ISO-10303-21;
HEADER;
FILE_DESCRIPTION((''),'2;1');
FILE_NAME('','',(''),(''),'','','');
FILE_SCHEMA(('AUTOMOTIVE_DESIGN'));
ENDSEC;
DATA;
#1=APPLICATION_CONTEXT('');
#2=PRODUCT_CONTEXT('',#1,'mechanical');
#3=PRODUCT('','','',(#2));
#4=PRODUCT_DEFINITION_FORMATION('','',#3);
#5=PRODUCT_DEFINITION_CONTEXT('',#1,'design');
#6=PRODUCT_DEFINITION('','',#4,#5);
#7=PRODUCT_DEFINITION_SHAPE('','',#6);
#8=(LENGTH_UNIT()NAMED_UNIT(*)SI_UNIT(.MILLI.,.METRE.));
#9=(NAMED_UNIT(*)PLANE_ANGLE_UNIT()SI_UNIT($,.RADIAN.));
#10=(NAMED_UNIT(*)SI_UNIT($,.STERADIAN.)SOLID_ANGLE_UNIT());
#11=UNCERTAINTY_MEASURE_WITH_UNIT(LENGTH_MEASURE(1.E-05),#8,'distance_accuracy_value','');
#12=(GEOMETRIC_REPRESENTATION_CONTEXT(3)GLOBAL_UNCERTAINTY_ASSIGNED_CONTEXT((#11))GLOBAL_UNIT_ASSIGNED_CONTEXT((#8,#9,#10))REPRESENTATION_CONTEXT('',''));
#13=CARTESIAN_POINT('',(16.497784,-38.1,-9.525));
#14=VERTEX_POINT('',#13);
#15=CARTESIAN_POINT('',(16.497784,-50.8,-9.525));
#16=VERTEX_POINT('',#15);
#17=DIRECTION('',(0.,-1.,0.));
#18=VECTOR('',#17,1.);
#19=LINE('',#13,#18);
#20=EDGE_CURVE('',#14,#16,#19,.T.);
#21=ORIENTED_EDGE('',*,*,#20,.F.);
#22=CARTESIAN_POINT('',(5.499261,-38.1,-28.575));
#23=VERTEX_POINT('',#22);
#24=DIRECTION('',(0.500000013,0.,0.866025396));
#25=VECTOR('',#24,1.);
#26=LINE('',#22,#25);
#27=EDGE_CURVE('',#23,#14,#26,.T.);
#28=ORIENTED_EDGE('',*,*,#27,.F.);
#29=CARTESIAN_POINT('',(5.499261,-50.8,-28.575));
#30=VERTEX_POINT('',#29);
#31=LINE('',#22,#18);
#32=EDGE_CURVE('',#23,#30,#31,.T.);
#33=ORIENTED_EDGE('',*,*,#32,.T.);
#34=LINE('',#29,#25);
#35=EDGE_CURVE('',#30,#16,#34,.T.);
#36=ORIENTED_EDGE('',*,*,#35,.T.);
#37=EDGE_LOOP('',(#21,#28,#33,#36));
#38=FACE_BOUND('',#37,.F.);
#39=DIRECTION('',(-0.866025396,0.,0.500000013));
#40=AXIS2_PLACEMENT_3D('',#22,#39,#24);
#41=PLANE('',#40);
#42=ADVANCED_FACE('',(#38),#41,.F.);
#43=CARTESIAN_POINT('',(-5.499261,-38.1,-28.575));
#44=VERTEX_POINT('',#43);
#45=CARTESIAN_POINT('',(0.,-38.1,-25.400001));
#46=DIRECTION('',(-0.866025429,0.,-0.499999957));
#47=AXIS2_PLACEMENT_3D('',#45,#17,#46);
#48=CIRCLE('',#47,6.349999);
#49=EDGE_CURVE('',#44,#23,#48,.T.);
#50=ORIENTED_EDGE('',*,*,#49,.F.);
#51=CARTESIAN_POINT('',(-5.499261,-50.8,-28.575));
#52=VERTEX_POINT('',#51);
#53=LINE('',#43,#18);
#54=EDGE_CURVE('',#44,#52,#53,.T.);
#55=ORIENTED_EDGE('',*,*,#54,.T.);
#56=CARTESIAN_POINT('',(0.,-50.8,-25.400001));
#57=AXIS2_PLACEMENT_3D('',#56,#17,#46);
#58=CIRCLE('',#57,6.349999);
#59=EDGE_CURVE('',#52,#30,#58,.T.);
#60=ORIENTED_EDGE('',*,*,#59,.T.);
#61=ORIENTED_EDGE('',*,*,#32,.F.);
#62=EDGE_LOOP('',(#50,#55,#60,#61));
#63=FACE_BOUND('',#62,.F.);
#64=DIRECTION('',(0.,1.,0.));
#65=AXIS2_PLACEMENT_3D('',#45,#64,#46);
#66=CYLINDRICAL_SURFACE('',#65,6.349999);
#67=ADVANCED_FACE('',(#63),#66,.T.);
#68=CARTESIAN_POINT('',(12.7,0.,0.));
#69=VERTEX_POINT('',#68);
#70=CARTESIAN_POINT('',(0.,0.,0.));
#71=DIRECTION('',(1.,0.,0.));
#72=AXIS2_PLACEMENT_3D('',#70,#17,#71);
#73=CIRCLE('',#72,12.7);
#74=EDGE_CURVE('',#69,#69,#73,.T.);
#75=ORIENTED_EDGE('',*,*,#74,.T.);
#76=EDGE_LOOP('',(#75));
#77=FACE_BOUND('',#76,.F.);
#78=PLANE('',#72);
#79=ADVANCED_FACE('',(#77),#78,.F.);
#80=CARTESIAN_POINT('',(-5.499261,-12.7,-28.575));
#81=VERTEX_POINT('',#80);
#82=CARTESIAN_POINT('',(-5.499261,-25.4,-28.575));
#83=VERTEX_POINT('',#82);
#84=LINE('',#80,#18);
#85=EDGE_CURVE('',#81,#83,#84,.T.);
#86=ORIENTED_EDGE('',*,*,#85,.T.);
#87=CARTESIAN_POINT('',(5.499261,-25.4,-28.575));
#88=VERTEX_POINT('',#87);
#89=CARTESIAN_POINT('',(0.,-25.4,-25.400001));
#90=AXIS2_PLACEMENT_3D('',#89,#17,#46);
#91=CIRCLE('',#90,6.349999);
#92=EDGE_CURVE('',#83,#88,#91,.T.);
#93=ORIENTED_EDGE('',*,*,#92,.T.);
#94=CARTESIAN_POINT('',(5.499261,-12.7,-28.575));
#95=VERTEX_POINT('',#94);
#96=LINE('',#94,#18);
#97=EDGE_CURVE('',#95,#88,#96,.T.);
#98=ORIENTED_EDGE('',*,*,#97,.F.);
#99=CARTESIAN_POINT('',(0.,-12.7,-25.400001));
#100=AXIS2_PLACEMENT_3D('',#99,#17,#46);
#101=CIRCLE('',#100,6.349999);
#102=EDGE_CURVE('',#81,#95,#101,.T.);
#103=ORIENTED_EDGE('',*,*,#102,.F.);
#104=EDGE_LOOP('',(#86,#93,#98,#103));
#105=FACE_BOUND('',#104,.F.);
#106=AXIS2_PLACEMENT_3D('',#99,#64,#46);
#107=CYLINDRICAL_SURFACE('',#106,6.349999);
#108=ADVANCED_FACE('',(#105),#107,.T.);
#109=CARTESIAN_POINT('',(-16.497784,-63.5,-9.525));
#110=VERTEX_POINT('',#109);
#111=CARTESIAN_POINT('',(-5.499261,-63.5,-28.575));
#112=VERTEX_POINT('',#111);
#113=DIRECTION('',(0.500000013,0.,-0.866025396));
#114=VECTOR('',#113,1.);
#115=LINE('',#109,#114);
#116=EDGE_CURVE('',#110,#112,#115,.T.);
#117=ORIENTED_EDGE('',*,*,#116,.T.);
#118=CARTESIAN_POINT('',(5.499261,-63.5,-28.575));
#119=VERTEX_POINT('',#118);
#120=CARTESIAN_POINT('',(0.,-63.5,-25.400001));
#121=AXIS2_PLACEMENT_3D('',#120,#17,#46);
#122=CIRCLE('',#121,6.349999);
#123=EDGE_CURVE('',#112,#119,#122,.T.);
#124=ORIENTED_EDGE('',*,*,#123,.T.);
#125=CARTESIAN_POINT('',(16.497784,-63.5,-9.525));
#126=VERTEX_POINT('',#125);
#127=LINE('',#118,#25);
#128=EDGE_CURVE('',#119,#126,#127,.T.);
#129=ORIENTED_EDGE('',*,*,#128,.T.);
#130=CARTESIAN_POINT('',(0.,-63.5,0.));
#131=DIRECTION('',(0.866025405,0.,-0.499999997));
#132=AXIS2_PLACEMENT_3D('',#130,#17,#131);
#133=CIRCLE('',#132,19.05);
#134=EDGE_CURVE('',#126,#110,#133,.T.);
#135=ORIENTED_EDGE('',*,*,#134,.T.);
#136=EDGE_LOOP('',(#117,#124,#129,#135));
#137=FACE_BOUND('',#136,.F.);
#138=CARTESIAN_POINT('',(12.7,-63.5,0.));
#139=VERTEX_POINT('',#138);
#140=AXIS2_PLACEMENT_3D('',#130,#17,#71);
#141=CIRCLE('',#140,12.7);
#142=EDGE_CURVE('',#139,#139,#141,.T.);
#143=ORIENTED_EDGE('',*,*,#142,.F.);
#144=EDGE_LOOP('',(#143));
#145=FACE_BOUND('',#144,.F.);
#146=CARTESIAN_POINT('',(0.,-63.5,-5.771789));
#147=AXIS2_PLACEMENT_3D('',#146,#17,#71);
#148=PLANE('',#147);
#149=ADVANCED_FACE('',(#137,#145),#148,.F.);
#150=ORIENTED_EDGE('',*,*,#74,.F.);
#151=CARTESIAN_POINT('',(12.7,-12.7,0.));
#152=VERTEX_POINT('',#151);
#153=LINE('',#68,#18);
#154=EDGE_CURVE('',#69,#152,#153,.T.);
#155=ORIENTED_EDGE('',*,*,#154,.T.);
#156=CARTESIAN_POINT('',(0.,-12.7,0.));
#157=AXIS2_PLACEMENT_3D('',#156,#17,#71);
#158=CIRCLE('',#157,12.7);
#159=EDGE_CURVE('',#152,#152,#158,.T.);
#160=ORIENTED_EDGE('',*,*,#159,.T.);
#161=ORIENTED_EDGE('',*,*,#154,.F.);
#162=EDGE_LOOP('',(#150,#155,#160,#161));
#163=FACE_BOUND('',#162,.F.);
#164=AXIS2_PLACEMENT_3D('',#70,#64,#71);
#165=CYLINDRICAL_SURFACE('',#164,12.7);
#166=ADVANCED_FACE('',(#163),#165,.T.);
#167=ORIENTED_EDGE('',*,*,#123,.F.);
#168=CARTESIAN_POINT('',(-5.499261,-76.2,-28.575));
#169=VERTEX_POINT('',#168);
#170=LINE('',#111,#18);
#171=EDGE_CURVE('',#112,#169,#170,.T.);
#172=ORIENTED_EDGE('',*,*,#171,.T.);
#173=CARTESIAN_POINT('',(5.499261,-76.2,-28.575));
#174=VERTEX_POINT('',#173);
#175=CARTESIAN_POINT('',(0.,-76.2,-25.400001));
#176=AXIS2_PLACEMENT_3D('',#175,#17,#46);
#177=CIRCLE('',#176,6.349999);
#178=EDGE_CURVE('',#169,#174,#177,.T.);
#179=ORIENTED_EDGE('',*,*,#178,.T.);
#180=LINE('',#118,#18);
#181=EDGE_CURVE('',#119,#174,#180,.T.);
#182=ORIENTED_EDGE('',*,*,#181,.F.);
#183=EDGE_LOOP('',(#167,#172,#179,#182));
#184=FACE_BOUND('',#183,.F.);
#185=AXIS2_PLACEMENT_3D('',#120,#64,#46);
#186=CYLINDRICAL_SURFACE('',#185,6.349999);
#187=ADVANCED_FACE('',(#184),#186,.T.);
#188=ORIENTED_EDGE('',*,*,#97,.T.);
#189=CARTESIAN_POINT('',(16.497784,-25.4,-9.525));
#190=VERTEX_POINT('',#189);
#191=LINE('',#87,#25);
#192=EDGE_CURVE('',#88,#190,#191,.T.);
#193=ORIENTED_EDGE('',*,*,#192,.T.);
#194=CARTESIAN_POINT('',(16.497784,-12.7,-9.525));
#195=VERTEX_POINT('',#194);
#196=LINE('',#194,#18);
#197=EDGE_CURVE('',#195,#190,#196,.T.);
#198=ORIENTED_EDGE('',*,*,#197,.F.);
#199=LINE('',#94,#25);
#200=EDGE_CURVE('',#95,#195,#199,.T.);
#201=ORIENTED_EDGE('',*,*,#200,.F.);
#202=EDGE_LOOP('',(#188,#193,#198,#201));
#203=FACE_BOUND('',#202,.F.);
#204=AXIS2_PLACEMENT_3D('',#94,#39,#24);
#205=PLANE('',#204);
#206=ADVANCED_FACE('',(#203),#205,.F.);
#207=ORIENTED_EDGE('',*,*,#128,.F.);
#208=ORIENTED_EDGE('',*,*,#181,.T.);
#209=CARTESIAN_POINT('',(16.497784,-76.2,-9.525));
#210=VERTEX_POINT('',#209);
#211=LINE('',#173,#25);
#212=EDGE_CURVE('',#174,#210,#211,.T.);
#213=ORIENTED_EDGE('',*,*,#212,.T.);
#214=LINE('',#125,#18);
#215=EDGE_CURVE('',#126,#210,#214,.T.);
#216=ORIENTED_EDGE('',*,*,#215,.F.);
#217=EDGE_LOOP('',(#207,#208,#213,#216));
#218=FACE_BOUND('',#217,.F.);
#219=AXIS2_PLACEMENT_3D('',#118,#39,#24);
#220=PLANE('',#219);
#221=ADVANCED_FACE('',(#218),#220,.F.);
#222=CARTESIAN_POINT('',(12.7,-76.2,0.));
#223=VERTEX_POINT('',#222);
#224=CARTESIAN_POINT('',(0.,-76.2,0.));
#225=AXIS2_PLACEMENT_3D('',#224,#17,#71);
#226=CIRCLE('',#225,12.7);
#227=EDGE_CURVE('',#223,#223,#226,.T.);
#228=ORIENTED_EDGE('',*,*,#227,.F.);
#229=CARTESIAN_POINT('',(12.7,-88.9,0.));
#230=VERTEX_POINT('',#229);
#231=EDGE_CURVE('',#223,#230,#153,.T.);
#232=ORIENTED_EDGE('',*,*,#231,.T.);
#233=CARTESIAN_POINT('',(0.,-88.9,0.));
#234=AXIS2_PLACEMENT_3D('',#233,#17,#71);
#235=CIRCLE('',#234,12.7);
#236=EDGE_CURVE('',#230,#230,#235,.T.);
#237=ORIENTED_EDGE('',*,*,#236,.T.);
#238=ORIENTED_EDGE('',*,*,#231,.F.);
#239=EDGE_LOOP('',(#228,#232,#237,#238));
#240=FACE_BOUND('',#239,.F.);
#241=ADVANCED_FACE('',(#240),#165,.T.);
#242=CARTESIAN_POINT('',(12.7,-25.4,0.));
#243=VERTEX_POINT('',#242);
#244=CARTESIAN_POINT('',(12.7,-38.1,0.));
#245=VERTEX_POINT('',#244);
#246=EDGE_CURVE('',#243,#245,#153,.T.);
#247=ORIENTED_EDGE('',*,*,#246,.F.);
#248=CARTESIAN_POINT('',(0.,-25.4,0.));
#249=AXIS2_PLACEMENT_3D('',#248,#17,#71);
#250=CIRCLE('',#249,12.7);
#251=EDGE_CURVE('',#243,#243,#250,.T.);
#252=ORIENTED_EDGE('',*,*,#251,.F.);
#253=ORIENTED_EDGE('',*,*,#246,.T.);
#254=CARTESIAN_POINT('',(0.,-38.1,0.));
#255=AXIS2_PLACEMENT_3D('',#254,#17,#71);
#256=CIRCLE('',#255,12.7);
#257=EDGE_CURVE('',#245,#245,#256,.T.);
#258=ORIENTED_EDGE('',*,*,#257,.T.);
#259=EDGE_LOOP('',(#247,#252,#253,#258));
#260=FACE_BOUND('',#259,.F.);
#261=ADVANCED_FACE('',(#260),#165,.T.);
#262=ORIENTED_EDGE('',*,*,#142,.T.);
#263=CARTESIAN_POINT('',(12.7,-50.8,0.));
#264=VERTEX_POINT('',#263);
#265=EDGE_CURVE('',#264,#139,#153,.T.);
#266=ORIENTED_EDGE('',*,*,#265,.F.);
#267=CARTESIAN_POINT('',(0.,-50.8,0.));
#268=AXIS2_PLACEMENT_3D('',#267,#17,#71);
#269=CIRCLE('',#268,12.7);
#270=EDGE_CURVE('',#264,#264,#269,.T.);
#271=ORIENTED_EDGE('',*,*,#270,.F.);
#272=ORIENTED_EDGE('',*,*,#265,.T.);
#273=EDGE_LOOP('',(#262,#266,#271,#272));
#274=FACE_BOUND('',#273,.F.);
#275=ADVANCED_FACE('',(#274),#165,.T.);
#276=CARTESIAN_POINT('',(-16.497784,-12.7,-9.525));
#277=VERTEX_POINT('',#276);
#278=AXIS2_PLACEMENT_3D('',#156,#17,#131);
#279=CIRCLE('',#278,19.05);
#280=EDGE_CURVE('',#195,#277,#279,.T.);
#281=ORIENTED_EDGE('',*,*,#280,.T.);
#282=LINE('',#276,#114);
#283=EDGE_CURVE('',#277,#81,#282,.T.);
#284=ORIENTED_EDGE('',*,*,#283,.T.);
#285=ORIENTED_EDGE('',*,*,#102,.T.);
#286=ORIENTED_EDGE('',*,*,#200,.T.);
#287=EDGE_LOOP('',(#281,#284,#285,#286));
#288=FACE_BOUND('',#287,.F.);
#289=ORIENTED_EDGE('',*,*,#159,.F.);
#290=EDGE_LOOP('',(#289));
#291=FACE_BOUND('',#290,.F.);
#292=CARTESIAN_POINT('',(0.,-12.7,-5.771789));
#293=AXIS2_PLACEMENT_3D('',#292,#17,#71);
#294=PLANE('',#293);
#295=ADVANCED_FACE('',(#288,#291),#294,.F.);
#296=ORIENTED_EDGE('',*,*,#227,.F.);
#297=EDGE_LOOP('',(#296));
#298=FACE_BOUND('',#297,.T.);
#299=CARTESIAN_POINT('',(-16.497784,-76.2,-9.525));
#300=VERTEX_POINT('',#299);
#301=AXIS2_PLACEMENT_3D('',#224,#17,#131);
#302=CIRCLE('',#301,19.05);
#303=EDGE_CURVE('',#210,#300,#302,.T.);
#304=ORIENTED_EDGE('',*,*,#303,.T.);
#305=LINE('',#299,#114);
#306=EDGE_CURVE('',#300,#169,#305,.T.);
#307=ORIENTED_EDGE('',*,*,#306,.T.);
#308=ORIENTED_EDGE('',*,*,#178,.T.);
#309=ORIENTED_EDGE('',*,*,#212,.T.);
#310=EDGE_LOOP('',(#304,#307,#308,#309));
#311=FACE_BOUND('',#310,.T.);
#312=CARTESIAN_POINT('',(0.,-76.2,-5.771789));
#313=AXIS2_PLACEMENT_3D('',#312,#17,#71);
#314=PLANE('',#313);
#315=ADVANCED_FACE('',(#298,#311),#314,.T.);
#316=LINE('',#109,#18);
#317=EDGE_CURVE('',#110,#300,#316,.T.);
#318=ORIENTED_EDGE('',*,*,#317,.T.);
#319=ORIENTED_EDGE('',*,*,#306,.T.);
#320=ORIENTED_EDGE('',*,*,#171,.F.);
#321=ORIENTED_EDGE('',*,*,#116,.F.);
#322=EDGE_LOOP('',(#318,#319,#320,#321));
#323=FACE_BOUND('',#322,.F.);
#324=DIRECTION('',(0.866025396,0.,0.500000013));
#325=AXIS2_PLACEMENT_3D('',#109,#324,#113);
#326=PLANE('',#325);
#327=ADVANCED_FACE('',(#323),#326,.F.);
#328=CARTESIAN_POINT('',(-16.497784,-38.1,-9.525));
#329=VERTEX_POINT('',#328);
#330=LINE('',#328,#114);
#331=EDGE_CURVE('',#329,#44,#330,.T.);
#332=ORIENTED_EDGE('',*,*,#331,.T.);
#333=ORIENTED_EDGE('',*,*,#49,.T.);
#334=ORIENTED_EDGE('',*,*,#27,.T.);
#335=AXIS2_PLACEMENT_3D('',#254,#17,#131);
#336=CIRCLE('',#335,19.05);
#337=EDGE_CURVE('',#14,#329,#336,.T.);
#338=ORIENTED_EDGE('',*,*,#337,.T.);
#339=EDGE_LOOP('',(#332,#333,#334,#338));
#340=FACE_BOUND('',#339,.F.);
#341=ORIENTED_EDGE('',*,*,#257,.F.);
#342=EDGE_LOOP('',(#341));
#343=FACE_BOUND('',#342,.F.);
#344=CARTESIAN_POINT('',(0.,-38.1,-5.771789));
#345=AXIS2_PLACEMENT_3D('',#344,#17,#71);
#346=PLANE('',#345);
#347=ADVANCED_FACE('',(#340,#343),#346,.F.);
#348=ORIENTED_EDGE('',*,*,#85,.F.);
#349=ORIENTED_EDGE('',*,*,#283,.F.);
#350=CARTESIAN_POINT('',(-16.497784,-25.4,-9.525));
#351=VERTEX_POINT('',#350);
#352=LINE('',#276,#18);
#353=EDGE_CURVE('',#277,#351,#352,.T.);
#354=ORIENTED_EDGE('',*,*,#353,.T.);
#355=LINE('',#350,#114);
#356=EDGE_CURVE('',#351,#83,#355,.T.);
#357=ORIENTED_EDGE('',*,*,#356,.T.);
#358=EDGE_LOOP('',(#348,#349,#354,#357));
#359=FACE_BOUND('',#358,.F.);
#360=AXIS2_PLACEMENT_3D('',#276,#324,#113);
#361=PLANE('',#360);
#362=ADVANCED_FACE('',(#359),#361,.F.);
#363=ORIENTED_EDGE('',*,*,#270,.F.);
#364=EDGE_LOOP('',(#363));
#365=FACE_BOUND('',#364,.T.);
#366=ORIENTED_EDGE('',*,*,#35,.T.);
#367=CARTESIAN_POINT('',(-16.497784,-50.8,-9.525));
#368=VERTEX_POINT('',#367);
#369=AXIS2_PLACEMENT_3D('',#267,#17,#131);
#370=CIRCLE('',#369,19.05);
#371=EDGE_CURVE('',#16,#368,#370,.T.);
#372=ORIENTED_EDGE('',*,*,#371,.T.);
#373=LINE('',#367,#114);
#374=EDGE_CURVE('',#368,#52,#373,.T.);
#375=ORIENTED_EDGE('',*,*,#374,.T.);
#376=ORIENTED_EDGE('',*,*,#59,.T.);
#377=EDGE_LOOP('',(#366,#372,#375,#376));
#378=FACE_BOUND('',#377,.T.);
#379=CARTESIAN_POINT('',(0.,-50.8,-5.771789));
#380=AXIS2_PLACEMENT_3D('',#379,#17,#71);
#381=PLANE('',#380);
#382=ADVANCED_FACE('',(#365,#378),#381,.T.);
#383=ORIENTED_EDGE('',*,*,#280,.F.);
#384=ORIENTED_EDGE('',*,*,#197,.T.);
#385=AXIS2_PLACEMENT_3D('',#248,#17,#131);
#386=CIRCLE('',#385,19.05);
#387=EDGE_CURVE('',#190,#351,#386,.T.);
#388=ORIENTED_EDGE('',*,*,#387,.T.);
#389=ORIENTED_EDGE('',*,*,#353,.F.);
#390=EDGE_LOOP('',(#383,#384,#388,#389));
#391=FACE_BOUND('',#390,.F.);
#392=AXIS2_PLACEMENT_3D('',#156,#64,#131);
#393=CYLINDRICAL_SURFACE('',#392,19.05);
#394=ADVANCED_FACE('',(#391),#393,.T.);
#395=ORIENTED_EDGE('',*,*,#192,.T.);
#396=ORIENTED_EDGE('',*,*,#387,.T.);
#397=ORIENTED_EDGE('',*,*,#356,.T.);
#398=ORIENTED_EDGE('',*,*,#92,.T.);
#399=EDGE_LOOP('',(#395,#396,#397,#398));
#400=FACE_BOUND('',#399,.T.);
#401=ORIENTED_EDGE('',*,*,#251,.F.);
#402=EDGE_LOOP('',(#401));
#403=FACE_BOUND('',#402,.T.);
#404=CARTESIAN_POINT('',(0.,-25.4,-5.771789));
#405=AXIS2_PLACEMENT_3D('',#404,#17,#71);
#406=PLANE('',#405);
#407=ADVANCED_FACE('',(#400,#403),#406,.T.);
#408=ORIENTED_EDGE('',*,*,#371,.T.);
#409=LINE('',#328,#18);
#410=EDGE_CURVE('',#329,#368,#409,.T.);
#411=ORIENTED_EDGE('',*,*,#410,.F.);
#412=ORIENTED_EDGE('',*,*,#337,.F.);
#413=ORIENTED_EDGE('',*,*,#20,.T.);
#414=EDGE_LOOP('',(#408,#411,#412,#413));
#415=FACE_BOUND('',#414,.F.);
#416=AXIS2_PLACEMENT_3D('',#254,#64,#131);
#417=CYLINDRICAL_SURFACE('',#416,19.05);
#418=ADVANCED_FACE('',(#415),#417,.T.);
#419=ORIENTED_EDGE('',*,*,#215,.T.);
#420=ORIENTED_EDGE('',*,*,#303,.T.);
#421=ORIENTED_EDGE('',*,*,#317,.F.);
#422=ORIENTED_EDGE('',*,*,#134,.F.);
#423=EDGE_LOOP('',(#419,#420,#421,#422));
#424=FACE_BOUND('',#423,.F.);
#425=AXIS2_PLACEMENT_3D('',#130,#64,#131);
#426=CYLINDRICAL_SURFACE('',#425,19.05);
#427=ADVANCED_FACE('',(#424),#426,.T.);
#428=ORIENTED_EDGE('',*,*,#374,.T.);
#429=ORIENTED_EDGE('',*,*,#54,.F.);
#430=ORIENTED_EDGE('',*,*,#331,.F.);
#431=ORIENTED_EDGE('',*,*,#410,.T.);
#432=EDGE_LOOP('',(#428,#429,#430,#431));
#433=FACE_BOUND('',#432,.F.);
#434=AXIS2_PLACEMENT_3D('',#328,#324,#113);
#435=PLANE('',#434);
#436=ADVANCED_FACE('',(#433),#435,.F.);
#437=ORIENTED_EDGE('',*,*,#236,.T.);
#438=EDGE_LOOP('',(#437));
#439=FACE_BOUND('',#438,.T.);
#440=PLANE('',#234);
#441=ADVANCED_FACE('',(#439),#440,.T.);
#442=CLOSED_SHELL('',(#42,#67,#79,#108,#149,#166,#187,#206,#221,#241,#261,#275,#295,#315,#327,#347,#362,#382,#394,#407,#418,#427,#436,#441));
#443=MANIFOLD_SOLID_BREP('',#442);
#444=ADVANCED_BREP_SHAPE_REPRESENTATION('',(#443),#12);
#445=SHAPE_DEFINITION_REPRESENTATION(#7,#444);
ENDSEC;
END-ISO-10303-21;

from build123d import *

# Parameters (mm, degrees)
F0_R      = 12.7
F1_DEPTH  = 88.9
F3_R      = 12.7
F4_DEPTH  = 12.7
F6_R      = 12.7
F7_DEPTH  = 12.7
F9_R      = 12.7
F10_DEPTH = 12.7


with BuildPart() as f1:
    # F0 (on Front) → F1 (new body)
    with BuildSketch(Plane.XZ):
        Circle(F0_R)
    extrude(amount=F1_DEPTH)

    # F3 (on offset) → F4 (join)
    with BuildSketch(Plane.XZ.offset(12.7)):
        with BuildLine():
            Line((5.499261, -28.575), (16.497784, -9.525))
            ThreePointArc((16.497784, -9.525), (0, 19.05), (-16.497784, -9.525))
            Line((-16.497784, -9.525), (-5.499261, -28.575))
            ThreePointArc((-5.499261, -28.575), (0, -31.75), (5.499261, -28.575))
        make_face()
        Circle(F3_R, mode=Mode.SUBTRACT)
    extrude(amount=F4_DEPTH)

    # F6 (on offset) → F7 (join)
    with BuildSketch(Plane.XZ.offset(38.1)):
        with BuildLine():
            Line((5.499261, -28.575), (16.497784, -9.525))
            ThreePointArc((16.497784, -9.525), (0, 19.05), (-16.497784, -9.525))
            Line((-16.497784, -9.525), (-5.499261, -28.575))
            ThreePointArc((-5.499261, -28.575), (0, -31.75), (5.499261, -28.575))
        make_face()
        Circle(F6_R, mode=Mode.SUBTRACT)
    extrude(amount=F7_DEPTH)

    # F9 (on offset) → F10 (join)
    with BuildSketch(Plane.XZ.offset(63.5)):
        with BuildLine():
            Line((5.499261, -28.575), (16.497784, -9.525))
            ThreePointArc((16.497784, -9.525), (0, 19.05), (-16.497784, -9.525))
            Line((-16.497784, -9.525), (-5.499261, -28.575))
            ThreePointArc((-5.499261, -28.575), (0, -31.75), (5.499261, -28.575))
        make_face()
        Circle(F9_R, mode=Mode.SUBTRACT)
    extrude(amount=F10_DEPTH)


solid = f1.part
